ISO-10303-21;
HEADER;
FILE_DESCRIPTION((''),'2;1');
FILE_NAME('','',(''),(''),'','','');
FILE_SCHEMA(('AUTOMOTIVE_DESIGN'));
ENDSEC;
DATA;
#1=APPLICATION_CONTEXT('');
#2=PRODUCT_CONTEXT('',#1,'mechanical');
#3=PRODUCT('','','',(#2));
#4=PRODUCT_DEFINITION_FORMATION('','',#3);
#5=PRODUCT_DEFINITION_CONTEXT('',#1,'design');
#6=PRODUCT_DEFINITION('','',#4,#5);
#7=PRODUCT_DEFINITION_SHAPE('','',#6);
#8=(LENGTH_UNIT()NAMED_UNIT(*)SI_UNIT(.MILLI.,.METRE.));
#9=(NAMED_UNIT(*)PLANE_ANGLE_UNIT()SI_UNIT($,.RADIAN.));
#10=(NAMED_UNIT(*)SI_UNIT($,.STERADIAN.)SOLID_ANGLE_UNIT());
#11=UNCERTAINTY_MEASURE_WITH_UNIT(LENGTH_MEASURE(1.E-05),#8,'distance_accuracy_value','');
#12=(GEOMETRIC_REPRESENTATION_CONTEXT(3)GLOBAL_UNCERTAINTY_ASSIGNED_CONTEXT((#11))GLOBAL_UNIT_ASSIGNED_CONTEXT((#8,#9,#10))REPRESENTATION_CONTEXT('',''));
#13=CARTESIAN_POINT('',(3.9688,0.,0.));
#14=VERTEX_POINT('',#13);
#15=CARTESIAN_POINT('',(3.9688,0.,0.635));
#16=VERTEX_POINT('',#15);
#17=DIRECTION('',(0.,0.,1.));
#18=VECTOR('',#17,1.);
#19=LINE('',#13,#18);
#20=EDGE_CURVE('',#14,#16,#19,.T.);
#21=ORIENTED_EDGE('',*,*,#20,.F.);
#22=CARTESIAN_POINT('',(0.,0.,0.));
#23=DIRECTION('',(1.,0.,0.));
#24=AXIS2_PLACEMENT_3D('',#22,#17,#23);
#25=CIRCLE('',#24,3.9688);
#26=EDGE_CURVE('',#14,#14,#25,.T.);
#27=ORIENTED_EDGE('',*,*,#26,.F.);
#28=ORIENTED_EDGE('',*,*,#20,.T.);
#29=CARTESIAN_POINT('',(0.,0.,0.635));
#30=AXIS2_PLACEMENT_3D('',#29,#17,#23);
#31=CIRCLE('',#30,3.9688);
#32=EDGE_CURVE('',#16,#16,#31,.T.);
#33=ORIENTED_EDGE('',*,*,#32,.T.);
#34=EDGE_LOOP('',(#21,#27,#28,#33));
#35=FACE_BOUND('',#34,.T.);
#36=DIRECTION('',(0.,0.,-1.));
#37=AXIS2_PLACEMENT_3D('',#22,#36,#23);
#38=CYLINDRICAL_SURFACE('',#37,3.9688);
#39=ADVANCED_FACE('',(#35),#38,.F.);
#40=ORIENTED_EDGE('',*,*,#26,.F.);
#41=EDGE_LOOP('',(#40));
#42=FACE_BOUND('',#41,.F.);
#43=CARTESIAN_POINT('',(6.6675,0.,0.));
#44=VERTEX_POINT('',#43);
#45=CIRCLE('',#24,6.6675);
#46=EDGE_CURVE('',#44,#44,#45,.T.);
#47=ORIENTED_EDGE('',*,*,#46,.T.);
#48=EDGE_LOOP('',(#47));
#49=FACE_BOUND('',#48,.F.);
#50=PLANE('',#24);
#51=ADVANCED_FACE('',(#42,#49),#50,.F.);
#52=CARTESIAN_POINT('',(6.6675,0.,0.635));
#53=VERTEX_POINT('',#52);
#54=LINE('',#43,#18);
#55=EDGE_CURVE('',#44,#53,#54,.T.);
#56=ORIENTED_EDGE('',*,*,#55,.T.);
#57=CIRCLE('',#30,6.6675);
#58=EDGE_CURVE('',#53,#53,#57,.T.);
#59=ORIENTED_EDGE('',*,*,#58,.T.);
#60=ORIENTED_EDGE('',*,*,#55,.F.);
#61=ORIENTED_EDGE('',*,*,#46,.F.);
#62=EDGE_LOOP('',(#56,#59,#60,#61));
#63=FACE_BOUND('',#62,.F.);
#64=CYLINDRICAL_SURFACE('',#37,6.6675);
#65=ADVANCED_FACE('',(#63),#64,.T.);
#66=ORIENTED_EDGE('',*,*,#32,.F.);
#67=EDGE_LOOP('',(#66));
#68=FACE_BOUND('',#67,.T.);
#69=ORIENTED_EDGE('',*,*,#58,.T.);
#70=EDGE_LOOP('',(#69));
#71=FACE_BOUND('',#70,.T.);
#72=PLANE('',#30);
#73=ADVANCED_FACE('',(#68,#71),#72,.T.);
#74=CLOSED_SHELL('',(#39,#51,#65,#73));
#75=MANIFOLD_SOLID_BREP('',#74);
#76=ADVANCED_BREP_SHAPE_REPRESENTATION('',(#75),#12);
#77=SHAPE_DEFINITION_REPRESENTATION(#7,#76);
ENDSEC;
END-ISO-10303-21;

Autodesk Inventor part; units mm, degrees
ref_plane "YZ Plane" through (0, 0, 0) normal (1, 0, 0) x (0, 1, 0)
ref_plane "XZ Plane" through (0, 0, 0) normal (0, 1, 0) x (-1, 0, 0)
ref_plane "XY Plane" through (0, 0, 0) normal (0, 0, 1) x (1, 0, 0)
sketch "Sketch1" plane through (0, 0, 0) normal (0, 0, 1) x (1, 0, 0)
  circle A0 centre (0, 0) radius 6.6675
  circle A1 centre (0, 0) radius 3.9688
  dimension "d0" = 13.335
  dimension "d1" = 7.9375
extrude "Extrusion1" add sketch "Sketch1" along normal blind 0.635
properties part number "Washer" material "Stainless Steel"
